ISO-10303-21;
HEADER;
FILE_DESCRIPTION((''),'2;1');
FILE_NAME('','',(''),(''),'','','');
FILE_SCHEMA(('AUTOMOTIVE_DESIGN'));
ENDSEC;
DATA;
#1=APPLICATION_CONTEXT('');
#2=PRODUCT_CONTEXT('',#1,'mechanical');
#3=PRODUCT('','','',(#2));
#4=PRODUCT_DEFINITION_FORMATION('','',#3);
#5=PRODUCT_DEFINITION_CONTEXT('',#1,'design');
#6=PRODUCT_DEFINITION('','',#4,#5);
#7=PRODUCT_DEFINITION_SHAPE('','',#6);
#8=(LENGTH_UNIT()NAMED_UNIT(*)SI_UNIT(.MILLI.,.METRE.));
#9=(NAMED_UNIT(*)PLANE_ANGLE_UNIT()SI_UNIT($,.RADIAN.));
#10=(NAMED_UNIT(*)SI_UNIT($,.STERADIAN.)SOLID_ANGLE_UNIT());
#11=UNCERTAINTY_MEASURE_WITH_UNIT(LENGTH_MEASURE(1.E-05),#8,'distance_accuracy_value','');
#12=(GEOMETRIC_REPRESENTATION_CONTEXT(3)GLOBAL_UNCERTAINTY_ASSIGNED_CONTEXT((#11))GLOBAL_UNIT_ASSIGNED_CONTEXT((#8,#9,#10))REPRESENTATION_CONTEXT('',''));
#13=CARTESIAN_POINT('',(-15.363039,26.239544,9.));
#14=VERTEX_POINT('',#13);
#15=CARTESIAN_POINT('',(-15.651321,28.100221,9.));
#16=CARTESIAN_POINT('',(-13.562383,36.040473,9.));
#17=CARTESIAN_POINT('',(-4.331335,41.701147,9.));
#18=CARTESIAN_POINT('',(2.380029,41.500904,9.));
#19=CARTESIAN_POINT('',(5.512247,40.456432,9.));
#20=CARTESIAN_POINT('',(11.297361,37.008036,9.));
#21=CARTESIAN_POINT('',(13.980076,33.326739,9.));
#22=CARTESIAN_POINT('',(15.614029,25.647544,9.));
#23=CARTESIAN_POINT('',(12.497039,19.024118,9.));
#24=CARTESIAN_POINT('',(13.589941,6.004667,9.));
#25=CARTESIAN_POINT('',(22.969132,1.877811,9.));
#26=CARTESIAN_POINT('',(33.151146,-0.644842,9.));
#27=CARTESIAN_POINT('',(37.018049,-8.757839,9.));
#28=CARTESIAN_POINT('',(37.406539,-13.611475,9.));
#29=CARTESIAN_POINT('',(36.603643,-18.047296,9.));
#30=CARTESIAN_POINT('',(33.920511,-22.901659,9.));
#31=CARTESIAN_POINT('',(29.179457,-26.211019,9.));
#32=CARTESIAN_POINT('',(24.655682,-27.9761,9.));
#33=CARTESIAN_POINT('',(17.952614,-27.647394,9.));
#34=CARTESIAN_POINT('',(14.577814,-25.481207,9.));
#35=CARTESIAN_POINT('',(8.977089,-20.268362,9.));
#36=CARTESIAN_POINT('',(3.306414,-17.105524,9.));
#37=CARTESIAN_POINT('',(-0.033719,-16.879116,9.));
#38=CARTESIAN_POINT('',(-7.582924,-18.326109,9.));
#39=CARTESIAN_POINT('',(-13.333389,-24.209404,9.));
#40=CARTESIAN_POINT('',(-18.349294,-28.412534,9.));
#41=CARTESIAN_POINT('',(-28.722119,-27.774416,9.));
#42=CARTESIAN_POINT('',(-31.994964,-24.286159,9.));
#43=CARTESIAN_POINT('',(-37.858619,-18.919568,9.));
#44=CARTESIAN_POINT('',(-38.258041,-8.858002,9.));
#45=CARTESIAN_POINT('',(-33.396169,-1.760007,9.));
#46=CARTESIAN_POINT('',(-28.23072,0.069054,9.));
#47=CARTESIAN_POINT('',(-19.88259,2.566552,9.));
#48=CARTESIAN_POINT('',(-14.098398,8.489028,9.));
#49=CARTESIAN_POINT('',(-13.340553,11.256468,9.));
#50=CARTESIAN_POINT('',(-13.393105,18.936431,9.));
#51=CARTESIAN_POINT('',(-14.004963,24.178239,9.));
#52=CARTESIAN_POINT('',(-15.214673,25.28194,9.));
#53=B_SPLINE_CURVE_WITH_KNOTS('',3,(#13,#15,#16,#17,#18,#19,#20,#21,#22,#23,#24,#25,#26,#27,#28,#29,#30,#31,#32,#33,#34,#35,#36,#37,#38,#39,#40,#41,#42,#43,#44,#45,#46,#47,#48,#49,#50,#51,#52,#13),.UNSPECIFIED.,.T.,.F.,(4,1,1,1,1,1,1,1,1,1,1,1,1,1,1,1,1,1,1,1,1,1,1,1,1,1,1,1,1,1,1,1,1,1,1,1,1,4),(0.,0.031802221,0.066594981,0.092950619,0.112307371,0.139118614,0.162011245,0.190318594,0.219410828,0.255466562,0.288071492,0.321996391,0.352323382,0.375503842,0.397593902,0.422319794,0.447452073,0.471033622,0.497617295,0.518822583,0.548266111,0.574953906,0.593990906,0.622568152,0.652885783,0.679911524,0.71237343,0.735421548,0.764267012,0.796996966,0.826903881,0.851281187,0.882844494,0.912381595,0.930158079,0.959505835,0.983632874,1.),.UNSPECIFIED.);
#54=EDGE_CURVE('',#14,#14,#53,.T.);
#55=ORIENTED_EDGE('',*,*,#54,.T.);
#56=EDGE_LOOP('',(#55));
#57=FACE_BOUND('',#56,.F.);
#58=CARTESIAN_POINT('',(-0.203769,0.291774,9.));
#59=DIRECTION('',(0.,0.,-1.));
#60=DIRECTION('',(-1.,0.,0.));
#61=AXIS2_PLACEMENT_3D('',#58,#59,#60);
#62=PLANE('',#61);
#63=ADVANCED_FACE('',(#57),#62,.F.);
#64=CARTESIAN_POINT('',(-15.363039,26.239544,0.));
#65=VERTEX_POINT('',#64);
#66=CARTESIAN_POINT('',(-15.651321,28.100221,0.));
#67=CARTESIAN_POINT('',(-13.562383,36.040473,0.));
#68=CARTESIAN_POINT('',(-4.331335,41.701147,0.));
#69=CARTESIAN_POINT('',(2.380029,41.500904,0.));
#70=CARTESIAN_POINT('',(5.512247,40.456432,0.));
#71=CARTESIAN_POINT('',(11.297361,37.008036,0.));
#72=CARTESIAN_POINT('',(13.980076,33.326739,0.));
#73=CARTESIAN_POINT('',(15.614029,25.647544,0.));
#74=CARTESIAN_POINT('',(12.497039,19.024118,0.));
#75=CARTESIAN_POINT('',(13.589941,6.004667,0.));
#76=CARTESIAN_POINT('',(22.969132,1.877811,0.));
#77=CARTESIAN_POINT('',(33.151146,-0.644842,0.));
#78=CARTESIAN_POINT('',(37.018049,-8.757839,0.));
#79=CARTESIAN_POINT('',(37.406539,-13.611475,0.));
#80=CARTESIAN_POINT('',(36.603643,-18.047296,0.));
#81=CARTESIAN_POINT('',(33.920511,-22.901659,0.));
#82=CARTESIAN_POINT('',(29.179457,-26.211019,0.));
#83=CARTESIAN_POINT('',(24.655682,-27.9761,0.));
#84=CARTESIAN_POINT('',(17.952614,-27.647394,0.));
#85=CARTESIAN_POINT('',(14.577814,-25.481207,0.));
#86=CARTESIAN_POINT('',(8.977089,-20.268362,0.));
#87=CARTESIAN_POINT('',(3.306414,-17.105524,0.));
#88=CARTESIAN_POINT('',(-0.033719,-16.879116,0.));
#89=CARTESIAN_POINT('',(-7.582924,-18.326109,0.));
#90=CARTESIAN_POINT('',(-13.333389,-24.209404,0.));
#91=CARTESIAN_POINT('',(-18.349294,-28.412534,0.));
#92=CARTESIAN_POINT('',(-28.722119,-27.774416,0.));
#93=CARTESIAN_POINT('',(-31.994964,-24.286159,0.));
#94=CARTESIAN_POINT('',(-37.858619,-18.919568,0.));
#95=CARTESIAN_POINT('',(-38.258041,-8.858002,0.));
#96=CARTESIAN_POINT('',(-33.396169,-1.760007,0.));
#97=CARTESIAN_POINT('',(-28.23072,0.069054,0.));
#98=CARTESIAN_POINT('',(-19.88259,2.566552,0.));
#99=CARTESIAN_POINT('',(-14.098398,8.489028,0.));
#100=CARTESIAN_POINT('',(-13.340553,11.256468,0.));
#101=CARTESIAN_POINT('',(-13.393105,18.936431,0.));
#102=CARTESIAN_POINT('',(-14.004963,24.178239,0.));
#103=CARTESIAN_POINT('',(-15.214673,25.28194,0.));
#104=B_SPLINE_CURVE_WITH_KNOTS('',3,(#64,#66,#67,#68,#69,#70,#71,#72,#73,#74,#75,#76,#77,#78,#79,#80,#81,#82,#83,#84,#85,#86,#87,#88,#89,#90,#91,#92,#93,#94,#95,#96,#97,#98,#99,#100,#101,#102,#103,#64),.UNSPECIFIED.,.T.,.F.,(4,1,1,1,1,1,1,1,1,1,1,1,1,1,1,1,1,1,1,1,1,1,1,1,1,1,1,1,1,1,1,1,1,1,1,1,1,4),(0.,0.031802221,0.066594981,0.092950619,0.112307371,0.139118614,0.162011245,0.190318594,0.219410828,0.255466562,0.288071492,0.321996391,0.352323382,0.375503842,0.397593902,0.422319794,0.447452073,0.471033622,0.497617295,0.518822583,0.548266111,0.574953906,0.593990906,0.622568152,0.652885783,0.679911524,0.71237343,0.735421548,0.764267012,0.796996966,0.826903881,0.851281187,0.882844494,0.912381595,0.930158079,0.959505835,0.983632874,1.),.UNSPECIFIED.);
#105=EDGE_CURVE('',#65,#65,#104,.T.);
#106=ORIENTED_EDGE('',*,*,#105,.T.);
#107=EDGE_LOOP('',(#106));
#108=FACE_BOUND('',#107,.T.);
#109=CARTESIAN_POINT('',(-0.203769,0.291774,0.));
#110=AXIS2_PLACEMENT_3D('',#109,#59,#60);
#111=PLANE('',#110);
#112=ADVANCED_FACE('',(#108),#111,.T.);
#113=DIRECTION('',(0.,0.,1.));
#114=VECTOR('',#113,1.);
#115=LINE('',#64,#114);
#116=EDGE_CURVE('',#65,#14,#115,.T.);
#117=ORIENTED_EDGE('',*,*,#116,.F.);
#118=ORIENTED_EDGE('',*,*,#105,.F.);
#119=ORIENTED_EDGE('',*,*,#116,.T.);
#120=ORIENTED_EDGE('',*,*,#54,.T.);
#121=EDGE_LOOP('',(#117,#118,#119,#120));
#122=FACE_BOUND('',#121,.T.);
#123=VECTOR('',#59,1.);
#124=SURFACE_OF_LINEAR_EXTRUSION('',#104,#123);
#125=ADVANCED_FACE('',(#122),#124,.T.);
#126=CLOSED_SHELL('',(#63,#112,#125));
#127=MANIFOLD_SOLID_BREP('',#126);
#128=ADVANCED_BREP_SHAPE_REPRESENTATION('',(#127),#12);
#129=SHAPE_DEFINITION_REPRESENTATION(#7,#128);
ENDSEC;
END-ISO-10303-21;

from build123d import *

# Parameters (mm, degrees)
F1_DEPTH = 9


with BuildPart() as f1:
    # F0 (on Top) → F1 (new body)
    with BuildSketch(Plane.XY):
        with BuildLine():
            add(Edge.make_bspline(
                [(-15.3630385175, 26.2395441532), (-15.6513213262, 28.1002207503), (-13.5623826764, 36.0404727808), (-4.3313351178, 41.7011474343), (2.3800287233, 41.5009043881), (5.512247164, 40.4564320539), (11.2973607678, 37.0080355746), (13.9800761582, 33.3267390943), (15.614028936, 25.6475435715), (12.4970393457, 19.024118392), (13.5899407596, 6.0046668236), (22.9691317721, 1.8778105192), (33.1511463426, -0.6448419765), (37.018048939, -8.7578394042), (37.40653874, -13.6114753683), (36.6036434359, -18.0472963965), (33.9205110873, -22.9016591972), (29.1794569024, -26.2110192802), (24.6556823269, -27.9760997262), (17.9526136752, -27.6473936541), (14.5778144312, -25.481206504), (8.9770893265, -20.2683615653), (3.306414162, -17.1055235144), (-0.0337188444, -16.879116456), (-7.5829237274, -18.3261094168), (-13.3333887096, -24.2094037507), (-18.349293856, -28.4125335083), (-28.722119202, -27.7744159623), (-31.9949644411, -24.2861586526), (-37.8586192373, -18.9195675275), (-38.2580408198, -8.8580024217), (-33.3961690123, -1.7600068608), (-28.2307196765, 0.0690535859), (-19.88259045, 2.5665521101), (-14.0983981642, 8.4890280086), (-13.340553351, 11.2564682018), (-13.3931051992, 18.9364314693), (-14.0049628992, 24.1782389053), (-15.214672747, 25.2819403392), (-15.3630385175, 26.2395441532)],
                knots=[0, 0, 0, 0, 0.0318022213, 0.066594981, 0.092950619, 0.1123073708, 0.139118614, 0.1620112451, 0.1903185943, 0.2194108285, 0.2554665619, 0.2880714918, 0.3219963912, 0.3523233822, 0.3755038419, 0.3975939015, 0.4223197937, 0.4474520731, 0.4710336217, 0.4976172949, 0.5188225832, 0.5482661107, 0.5749539063, 0.5939909061, 0.6225681523, 0.6528857826, 0.6799115244, 0.7123734304, 0.7354215483, 0.7642670124, 0.796996966, 0.8269038814, 0.8512811868, 0.882844494, 0.9123815954, 0.9301580792, 0.9595058345, 0.9836328739, 1, 1, 1, 1], degree=3))
        make_face()
    extrude(amount=F1_DEPTH)


solid = f1.part
